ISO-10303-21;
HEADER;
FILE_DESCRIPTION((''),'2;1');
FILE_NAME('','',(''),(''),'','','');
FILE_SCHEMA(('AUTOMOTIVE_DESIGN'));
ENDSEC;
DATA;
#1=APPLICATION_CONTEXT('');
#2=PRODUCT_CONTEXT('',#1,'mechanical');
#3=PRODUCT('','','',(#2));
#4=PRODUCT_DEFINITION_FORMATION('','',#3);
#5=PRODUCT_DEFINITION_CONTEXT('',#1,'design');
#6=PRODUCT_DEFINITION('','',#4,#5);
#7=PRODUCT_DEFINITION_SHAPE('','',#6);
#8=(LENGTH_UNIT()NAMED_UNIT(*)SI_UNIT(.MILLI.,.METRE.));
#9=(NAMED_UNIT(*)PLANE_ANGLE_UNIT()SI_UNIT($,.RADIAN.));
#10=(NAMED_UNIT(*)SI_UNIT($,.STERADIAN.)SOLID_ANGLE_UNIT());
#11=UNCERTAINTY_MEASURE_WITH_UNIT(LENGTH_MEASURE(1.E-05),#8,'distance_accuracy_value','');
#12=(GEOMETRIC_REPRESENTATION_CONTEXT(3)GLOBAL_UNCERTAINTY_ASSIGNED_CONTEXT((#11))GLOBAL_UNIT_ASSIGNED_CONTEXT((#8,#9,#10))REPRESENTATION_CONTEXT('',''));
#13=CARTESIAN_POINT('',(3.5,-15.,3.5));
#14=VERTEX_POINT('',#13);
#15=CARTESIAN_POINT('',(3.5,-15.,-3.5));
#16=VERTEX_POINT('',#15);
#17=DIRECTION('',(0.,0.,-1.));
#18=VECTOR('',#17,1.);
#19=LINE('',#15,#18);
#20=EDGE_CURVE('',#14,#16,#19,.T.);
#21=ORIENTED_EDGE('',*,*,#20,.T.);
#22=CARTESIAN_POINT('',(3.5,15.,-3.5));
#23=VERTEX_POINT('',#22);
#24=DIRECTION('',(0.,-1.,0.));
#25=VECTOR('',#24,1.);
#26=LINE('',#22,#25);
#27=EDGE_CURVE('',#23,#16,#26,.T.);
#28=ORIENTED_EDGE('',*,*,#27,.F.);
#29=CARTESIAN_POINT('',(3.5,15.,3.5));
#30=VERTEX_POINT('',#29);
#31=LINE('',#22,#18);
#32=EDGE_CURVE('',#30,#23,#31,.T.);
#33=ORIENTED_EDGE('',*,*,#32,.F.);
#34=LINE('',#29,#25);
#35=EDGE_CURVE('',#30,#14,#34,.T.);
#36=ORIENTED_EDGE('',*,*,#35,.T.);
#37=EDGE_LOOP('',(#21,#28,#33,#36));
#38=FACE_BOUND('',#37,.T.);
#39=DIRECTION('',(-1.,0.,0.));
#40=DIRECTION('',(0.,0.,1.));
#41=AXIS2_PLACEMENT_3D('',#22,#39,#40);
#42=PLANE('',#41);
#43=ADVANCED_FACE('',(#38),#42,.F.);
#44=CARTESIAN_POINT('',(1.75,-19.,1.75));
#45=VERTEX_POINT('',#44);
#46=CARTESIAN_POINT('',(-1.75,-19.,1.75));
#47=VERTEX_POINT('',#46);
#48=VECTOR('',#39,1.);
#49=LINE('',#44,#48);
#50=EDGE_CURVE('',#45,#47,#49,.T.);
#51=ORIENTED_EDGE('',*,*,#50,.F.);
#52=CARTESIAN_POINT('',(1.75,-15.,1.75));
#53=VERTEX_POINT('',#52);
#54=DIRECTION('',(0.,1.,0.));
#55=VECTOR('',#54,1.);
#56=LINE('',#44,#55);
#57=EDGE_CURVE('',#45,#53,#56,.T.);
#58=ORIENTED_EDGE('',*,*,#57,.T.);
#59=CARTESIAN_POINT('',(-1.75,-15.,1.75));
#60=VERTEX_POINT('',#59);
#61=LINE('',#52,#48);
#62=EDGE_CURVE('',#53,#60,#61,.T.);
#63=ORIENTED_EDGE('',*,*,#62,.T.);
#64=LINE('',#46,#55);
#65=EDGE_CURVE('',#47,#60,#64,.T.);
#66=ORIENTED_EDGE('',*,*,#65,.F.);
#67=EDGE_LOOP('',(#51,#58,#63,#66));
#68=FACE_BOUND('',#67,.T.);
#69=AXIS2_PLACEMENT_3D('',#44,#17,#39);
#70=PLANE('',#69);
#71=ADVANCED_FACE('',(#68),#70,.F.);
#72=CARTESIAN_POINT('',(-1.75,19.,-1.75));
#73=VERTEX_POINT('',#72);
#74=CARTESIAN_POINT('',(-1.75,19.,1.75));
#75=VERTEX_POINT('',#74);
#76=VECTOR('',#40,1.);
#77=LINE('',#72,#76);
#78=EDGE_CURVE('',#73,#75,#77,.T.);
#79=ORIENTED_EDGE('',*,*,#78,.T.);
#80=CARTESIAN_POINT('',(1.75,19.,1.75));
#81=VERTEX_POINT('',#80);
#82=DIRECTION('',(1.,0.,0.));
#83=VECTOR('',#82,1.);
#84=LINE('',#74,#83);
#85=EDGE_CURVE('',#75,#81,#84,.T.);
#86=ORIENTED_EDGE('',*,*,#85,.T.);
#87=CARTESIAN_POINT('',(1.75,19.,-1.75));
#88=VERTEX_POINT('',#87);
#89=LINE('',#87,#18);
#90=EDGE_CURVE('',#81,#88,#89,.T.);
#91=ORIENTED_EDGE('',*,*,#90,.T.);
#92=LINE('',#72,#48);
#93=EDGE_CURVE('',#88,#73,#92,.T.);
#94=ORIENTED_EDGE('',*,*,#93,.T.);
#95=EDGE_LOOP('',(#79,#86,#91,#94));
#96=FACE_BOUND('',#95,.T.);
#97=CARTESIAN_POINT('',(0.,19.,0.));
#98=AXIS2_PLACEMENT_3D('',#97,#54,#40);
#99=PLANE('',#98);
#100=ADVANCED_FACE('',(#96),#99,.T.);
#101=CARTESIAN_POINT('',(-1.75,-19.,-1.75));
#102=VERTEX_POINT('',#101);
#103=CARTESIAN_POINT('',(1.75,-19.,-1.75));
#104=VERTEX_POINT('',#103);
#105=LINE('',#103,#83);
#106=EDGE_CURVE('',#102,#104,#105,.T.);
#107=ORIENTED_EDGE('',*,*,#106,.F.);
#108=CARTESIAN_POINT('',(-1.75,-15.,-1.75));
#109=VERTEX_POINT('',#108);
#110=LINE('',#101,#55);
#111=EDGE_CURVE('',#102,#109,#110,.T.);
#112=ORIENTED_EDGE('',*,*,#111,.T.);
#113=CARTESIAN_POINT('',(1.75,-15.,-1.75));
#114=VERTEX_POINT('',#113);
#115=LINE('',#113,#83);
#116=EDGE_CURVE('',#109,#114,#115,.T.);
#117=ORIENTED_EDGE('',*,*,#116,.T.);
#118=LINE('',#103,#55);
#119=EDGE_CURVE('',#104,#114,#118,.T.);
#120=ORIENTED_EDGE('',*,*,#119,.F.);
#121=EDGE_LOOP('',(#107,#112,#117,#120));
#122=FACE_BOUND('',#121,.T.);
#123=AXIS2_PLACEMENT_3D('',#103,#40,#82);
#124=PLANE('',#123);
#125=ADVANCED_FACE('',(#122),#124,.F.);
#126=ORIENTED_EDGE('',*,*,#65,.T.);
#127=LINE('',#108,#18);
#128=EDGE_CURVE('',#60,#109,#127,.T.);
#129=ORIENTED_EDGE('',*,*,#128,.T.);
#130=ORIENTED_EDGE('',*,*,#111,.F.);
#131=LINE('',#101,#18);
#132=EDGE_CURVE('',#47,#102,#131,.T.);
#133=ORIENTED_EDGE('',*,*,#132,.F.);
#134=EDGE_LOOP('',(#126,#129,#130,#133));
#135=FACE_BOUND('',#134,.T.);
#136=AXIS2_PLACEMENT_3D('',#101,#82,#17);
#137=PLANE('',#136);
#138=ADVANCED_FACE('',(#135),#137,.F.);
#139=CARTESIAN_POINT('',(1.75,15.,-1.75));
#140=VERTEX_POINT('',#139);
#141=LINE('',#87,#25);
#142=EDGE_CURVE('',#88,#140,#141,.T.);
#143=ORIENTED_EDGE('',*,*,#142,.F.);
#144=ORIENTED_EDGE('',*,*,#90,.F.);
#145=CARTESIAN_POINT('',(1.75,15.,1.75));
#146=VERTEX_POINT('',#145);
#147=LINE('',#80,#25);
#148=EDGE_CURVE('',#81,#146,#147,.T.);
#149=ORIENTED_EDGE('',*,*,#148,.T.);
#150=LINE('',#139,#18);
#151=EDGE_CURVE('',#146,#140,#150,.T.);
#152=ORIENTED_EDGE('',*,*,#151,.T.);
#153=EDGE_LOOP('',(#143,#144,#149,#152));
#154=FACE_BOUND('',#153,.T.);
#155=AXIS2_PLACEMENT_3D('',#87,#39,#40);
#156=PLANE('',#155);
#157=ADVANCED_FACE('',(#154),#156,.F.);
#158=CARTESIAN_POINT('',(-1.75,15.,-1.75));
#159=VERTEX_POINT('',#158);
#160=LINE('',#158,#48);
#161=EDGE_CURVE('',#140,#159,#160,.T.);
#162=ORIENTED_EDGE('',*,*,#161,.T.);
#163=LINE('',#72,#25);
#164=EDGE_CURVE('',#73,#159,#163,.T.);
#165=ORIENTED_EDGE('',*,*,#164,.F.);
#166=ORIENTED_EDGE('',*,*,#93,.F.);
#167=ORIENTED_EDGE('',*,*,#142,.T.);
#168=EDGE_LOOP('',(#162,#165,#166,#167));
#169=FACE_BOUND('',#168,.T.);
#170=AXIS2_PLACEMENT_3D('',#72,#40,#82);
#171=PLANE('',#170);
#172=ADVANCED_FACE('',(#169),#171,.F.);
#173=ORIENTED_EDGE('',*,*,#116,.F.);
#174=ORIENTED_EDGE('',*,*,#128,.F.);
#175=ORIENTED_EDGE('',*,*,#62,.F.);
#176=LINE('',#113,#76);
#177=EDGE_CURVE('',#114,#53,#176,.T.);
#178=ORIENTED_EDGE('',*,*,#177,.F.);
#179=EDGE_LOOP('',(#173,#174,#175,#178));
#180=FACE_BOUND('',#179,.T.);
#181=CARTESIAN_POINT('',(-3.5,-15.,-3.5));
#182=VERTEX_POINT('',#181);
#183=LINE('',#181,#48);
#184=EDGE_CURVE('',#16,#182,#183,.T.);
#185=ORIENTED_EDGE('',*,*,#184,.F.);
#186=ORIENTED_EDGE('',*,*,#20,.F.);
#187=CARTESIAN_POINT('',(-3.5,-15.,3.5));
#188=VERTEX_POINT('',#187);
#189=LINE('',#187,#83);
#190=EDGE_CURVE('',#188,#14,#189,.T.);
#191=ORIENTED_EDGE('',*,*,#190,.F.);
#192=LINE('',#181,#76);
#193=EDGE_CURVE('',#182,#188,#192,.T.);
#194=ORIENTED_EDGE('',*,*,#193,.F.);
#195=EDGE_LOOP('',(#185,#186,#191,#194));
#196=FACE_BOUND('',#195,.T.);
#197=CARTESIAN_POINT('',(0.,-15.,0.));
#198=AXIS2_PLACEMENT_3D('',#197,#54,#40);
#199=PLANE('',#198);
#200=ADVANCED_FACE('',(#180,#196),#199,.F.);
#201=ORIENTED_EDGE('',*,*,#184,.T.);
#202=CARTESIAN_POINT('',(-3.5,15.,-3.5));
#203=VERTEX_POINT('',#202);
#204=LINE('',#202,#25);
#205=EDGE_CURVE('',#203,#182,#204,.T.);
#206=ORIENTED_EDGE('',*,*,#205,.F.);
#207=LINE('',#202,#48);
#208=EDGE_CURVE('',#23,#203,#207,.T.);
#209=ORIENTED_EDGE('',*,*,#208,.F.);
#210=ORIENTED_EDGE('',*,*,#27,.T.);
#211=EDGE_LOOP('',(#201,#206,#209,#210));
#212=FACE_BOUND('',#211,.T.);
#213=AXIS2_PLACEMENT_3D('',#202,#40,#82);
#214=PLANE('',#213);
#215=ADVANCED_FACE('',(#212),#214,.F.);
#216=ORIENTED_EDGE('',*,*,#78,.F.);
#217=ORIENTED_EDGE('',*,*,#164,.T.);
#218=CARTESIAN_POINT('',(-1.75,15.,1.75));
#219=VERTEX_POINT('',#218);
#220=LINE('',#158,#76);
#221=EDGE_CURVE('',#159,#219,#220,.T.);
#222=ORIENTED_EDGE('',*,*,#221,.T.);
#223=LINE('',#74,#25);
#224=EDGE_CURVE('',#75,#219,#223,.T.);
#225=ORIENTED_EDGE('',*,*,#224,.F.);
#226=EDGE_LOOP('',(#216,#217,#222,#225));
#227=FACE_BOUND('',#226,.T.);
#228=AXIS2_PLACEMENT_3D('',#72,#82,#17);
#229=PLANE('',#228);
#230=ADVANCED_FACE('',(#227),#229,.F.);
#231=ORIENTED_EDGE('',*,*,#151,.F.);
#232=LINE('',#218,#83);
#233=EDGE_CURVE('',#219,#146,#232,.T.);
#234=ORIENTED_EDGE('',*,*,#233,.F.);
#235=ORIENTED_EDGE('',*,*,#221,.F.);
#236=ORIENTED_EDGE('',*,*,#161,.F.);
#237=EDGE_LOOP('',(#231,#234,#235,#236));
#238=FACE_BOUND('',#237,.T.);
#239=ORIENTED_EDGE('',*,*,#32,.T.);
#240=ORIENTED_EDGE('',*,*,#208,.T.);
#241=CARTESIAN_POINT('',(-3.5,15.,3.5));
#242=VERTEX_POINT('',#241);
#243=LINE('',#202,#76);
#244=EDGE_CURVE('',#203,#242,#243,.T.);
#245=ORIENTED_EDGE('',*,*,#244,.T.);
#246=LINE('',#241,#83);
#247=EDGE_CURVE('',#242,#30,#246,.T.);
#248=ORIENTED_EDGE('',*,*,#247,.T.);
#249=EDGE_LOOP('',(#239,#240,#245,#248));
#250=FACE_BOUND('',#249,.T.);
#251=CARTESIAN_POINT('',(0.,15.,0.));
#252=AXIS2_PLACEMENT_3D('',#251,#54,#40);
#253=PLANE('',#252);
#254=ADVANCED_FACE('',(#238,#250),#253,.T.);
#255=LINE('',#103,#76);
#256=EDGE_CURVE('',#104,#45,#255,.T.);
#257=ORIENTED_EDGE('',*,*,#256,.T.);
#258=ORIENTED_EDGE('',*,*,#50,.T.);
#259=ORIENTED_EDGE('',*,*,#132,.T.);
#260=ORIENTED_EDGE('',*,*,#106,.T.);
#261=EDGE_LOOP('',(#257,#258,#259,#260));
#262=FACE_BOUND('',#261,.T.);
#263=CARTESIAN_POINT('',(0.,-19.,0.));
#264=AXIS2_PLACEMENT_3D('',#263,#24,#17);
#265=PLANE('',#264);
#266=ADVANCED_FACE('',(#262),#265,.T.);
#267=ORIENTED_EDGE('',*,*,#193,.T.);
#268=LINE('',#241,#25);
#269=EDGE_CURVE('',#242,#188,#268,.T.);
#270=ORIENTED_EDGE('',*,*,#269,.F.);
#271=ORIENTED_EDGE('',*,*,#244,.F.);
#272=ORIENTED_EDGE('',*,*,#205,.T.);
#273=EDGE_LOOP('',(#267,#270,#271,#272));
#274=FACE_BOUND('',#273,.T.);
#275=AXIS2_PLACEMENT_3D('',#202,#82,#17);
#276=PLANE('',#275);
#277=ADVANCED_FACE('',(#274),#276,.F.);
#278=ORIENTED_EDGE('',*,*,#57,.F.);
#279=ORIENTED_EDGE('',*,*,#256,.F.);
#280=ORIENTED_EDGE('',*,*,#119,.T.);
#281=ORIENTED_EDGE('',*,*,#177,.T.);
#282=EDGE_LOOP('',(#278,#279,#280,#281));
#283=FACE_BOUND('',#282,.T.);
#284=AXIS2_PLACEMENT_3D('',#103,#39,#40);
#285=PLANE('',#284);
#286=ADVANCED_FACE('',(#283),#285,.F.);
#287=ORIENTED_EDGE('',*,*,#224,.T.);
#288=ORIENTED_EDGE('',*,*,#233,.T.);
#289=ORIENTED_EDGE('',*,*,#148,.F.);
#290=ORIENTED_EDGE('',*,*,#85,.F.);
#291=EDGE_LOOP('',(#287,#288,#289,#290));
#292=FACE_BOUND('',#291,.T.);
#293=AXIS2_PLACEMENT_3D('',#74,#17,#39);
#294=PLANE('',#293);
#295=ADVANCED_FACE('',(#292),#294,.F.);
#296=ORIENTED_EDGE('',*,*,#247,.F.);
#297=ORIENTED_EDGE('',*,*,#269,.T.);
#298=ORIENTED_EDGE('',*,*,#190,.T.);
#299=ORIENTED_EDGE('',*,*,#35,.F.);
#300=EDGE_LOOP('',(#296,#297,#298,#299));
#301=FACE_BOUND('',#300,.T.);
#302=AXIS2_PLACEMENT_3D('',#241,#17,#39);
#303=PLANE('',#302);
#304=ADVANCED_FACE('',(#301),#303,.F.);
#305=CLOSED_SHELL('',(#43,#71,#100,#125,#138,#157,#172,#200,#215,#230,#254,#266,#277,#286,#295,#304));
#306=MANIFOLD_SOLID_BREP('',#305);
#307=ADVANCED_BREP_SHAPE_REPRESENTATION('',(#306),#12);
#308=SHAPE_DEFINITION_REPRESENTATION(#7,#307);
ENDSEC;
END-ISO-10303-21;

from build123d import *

# Parameters (mm, degrees)
SKETCH1_W           = 7
SKETCH1_H           = 7
BOSS_EXTRUDE1_DEPTH = 15
SKETCH2_W           = 3.5
SKETCH2_H           = 3.5
BOSS_EXTRUDE2_DEPTH = 4
SKETCH3_W           = 3.5
SKETCH3_H           = 3.5
BOSS_EXTRUDE3_DEPTH = 4


with BuildPart() as part:
    # Sketch1 → Boss-Extrude1 (new, symmetric)
    with BuildSketch(Plane(origin=(0, 0, 0), x_dir=(1, 0, 0), z_dir=(0, 1, 0))):
        Rectangle(SKETCH1_W, SKETCH1_H)
    extrude(amount=BOSS_EXTRUDE1_DEPTH, both=True)

    # Sketch2 → Boss-Extrude2 (add)
    with BuildSketch(Plane(origin=(0, 15, 0), x_dir=(1, 0, 0), z_dir=(0, 1, 0))):
        Rectangle(SKETCH2_W, SKETCH2_H)
    extrude(amount=BOSS_EXTRUDE2_DEPTH)

    # Sketch3 → Boss-Extrude3 (add)
    with BuildSketch(Plane.XZ.offset(15)):
        Rectangle(SKETCH3_W, SKETCH3_H)
    extrude(amount=BOSS_EXTRUDE3_DEPTH)


solid = part.part
